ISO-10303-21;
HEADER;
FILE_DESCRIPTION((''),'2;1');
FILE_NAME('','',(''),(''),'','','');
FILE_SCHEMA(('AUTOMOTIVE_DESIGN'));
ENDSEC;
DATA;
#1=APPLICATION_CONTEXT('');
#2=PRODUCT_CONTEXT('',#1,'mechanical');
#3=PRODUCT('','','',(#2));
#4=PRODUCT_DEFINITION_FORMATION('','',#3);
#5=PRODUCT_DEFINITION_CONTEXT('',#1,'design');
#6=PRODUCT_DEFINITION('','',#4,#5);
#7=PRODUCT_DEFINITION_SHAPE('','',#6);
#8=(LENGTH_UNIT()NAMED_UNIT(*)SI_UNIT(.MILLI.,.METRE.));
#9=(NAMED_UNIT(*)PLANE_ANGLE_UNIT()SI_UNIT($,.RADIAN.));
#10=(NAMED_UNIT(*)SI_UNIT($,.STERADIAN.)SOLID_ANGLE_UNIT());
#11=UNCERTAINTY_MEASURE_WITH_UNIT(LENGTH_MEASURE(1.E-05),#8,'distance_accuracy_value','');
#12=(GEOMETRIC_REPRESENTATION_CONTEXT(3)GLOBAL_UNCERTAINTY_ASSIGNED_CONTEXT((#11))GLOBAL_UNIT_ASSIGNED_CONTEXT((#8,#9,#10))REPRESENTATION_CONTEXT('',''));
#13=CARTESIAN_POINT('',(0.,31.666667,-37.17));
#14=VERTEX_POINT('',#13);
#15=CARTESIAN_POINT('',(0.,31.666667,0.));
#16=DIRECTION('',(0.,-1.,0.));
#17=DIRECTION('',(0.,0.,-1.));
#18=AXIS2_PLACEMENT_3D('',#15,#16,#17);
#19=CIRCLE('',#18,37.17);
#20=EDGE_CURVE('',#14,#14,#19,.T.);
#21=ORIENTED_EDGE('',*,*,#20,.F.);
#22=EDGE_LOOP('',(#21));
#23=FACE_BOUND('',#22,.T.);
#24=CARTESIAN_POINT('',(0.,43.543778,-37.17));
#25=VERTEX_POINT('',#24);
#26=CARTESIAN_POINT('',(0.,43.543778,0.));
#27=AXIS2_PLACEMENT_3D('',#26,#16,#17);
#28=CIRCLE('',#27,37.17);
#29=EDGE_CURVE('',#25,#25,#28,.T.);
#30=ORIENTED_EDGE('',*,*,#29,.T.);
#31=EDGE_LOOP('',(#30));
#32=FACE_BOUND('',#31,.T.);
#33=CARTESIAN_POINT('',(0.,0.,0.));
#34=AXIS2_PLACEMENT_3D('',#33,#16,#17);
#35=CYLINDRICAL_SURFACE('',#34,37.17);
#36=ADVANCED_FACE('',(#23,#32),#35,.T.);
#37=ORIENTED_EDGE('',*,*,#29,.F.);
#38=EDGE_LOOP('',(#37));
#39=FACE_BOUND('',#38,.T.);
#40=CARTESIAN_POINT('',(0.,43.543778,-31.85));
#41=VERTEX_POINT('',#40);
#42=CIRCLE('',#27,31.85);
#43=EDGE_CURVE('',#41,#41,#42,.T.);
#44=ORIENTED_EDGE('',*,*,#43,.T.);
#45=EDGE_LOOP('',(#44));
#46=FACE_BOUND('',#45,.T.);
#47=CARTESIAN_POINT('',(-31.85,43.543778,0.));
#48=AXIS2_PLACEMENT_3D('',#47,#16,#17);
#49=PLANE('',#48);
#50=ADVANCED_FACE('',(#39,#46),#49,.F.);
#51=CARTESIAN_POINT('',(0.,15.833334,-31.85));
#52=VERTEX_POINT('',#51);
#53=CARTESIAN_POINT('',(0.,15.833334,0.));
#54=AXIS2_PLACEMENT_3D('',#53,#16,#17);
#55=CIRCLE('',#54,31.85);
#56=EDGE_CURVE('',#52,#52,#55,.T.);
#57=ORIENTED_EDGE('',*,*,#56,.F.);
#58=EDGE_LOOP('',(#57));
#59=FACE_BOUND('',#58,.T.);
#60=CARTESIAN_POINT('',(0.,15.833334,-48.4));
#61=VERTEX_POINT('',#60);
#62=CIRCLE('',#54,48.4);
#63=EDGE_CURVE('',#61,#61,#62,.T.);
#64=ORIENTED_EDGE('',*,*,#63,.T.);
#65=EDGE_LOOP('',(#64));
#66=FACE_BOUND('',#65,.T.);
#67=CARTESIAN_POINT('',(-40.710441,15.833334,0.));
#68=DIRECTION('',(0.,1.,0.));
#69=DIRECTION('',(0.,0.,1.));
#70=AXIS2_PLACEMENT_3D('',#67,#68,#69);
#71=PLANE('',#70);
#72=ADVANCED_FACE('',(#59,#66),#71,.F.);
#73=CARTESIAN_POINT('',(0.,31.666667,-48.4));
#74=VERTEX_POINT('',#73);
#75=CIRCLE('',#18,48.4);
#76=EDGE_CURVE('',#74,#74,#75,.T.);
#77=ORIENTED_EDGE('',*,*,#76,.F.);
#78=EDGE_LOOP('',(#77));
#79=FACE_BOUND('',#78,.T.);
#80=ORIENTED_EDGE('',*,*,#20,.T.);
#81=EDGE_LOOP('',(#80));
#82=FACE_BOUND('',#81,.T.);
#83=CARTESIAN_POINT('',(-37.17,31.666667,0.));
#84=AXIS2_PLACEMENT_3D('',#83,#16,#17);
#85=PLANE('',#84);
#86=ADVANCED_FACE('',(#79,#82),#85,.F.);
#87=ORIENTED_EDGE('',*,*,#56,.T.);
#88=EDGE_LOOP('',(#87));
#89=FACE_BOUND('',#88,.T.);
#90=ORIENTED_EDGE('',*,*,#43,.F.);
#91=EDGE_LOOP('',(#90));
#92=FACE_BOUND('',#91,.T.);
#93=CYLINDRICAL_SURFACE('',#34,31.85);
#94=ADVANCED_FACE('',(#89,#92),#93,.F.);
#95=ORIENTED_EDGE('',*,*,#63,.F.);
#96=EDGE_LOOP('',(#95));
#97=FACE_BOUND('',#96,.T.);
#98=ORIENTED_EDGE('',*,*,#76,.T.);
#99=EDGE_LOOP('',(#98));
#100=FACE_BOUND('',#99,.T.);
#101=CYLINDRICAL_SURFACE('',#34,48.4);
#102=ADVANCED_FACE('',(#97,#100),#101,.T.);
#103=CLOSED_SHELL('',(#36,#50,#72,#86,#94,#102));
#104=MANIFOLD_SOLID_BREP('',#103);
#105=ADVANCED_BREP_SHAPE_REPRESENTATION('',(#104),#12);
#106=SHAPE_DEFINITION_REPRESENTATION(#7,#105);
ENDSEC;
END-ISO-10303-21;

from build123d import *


with BuildPart() as part:
    # Sketch1 → Revolve1 (revolve)
    with BuildSketch(Plane.XY, mode=Mode.PRIVATE) as revolve1_sk:
        Polygon((-31.85, 15.83333352), (-31.85, 43.543777957), (-37.17, 43.543777957), (-37.17, 31.666666853), (-48.4, 31.666666853), (-48.4, 15.83333352), (-40.710440568, 15.83333352), align=None)
    revolve(revolve1_sk.sketch.rotate(Axis((0, 0, 0), (0, 1, 0)), 270), axis=Axis((0, 0, 0), (0, 1, 0)))


solid = part.part
